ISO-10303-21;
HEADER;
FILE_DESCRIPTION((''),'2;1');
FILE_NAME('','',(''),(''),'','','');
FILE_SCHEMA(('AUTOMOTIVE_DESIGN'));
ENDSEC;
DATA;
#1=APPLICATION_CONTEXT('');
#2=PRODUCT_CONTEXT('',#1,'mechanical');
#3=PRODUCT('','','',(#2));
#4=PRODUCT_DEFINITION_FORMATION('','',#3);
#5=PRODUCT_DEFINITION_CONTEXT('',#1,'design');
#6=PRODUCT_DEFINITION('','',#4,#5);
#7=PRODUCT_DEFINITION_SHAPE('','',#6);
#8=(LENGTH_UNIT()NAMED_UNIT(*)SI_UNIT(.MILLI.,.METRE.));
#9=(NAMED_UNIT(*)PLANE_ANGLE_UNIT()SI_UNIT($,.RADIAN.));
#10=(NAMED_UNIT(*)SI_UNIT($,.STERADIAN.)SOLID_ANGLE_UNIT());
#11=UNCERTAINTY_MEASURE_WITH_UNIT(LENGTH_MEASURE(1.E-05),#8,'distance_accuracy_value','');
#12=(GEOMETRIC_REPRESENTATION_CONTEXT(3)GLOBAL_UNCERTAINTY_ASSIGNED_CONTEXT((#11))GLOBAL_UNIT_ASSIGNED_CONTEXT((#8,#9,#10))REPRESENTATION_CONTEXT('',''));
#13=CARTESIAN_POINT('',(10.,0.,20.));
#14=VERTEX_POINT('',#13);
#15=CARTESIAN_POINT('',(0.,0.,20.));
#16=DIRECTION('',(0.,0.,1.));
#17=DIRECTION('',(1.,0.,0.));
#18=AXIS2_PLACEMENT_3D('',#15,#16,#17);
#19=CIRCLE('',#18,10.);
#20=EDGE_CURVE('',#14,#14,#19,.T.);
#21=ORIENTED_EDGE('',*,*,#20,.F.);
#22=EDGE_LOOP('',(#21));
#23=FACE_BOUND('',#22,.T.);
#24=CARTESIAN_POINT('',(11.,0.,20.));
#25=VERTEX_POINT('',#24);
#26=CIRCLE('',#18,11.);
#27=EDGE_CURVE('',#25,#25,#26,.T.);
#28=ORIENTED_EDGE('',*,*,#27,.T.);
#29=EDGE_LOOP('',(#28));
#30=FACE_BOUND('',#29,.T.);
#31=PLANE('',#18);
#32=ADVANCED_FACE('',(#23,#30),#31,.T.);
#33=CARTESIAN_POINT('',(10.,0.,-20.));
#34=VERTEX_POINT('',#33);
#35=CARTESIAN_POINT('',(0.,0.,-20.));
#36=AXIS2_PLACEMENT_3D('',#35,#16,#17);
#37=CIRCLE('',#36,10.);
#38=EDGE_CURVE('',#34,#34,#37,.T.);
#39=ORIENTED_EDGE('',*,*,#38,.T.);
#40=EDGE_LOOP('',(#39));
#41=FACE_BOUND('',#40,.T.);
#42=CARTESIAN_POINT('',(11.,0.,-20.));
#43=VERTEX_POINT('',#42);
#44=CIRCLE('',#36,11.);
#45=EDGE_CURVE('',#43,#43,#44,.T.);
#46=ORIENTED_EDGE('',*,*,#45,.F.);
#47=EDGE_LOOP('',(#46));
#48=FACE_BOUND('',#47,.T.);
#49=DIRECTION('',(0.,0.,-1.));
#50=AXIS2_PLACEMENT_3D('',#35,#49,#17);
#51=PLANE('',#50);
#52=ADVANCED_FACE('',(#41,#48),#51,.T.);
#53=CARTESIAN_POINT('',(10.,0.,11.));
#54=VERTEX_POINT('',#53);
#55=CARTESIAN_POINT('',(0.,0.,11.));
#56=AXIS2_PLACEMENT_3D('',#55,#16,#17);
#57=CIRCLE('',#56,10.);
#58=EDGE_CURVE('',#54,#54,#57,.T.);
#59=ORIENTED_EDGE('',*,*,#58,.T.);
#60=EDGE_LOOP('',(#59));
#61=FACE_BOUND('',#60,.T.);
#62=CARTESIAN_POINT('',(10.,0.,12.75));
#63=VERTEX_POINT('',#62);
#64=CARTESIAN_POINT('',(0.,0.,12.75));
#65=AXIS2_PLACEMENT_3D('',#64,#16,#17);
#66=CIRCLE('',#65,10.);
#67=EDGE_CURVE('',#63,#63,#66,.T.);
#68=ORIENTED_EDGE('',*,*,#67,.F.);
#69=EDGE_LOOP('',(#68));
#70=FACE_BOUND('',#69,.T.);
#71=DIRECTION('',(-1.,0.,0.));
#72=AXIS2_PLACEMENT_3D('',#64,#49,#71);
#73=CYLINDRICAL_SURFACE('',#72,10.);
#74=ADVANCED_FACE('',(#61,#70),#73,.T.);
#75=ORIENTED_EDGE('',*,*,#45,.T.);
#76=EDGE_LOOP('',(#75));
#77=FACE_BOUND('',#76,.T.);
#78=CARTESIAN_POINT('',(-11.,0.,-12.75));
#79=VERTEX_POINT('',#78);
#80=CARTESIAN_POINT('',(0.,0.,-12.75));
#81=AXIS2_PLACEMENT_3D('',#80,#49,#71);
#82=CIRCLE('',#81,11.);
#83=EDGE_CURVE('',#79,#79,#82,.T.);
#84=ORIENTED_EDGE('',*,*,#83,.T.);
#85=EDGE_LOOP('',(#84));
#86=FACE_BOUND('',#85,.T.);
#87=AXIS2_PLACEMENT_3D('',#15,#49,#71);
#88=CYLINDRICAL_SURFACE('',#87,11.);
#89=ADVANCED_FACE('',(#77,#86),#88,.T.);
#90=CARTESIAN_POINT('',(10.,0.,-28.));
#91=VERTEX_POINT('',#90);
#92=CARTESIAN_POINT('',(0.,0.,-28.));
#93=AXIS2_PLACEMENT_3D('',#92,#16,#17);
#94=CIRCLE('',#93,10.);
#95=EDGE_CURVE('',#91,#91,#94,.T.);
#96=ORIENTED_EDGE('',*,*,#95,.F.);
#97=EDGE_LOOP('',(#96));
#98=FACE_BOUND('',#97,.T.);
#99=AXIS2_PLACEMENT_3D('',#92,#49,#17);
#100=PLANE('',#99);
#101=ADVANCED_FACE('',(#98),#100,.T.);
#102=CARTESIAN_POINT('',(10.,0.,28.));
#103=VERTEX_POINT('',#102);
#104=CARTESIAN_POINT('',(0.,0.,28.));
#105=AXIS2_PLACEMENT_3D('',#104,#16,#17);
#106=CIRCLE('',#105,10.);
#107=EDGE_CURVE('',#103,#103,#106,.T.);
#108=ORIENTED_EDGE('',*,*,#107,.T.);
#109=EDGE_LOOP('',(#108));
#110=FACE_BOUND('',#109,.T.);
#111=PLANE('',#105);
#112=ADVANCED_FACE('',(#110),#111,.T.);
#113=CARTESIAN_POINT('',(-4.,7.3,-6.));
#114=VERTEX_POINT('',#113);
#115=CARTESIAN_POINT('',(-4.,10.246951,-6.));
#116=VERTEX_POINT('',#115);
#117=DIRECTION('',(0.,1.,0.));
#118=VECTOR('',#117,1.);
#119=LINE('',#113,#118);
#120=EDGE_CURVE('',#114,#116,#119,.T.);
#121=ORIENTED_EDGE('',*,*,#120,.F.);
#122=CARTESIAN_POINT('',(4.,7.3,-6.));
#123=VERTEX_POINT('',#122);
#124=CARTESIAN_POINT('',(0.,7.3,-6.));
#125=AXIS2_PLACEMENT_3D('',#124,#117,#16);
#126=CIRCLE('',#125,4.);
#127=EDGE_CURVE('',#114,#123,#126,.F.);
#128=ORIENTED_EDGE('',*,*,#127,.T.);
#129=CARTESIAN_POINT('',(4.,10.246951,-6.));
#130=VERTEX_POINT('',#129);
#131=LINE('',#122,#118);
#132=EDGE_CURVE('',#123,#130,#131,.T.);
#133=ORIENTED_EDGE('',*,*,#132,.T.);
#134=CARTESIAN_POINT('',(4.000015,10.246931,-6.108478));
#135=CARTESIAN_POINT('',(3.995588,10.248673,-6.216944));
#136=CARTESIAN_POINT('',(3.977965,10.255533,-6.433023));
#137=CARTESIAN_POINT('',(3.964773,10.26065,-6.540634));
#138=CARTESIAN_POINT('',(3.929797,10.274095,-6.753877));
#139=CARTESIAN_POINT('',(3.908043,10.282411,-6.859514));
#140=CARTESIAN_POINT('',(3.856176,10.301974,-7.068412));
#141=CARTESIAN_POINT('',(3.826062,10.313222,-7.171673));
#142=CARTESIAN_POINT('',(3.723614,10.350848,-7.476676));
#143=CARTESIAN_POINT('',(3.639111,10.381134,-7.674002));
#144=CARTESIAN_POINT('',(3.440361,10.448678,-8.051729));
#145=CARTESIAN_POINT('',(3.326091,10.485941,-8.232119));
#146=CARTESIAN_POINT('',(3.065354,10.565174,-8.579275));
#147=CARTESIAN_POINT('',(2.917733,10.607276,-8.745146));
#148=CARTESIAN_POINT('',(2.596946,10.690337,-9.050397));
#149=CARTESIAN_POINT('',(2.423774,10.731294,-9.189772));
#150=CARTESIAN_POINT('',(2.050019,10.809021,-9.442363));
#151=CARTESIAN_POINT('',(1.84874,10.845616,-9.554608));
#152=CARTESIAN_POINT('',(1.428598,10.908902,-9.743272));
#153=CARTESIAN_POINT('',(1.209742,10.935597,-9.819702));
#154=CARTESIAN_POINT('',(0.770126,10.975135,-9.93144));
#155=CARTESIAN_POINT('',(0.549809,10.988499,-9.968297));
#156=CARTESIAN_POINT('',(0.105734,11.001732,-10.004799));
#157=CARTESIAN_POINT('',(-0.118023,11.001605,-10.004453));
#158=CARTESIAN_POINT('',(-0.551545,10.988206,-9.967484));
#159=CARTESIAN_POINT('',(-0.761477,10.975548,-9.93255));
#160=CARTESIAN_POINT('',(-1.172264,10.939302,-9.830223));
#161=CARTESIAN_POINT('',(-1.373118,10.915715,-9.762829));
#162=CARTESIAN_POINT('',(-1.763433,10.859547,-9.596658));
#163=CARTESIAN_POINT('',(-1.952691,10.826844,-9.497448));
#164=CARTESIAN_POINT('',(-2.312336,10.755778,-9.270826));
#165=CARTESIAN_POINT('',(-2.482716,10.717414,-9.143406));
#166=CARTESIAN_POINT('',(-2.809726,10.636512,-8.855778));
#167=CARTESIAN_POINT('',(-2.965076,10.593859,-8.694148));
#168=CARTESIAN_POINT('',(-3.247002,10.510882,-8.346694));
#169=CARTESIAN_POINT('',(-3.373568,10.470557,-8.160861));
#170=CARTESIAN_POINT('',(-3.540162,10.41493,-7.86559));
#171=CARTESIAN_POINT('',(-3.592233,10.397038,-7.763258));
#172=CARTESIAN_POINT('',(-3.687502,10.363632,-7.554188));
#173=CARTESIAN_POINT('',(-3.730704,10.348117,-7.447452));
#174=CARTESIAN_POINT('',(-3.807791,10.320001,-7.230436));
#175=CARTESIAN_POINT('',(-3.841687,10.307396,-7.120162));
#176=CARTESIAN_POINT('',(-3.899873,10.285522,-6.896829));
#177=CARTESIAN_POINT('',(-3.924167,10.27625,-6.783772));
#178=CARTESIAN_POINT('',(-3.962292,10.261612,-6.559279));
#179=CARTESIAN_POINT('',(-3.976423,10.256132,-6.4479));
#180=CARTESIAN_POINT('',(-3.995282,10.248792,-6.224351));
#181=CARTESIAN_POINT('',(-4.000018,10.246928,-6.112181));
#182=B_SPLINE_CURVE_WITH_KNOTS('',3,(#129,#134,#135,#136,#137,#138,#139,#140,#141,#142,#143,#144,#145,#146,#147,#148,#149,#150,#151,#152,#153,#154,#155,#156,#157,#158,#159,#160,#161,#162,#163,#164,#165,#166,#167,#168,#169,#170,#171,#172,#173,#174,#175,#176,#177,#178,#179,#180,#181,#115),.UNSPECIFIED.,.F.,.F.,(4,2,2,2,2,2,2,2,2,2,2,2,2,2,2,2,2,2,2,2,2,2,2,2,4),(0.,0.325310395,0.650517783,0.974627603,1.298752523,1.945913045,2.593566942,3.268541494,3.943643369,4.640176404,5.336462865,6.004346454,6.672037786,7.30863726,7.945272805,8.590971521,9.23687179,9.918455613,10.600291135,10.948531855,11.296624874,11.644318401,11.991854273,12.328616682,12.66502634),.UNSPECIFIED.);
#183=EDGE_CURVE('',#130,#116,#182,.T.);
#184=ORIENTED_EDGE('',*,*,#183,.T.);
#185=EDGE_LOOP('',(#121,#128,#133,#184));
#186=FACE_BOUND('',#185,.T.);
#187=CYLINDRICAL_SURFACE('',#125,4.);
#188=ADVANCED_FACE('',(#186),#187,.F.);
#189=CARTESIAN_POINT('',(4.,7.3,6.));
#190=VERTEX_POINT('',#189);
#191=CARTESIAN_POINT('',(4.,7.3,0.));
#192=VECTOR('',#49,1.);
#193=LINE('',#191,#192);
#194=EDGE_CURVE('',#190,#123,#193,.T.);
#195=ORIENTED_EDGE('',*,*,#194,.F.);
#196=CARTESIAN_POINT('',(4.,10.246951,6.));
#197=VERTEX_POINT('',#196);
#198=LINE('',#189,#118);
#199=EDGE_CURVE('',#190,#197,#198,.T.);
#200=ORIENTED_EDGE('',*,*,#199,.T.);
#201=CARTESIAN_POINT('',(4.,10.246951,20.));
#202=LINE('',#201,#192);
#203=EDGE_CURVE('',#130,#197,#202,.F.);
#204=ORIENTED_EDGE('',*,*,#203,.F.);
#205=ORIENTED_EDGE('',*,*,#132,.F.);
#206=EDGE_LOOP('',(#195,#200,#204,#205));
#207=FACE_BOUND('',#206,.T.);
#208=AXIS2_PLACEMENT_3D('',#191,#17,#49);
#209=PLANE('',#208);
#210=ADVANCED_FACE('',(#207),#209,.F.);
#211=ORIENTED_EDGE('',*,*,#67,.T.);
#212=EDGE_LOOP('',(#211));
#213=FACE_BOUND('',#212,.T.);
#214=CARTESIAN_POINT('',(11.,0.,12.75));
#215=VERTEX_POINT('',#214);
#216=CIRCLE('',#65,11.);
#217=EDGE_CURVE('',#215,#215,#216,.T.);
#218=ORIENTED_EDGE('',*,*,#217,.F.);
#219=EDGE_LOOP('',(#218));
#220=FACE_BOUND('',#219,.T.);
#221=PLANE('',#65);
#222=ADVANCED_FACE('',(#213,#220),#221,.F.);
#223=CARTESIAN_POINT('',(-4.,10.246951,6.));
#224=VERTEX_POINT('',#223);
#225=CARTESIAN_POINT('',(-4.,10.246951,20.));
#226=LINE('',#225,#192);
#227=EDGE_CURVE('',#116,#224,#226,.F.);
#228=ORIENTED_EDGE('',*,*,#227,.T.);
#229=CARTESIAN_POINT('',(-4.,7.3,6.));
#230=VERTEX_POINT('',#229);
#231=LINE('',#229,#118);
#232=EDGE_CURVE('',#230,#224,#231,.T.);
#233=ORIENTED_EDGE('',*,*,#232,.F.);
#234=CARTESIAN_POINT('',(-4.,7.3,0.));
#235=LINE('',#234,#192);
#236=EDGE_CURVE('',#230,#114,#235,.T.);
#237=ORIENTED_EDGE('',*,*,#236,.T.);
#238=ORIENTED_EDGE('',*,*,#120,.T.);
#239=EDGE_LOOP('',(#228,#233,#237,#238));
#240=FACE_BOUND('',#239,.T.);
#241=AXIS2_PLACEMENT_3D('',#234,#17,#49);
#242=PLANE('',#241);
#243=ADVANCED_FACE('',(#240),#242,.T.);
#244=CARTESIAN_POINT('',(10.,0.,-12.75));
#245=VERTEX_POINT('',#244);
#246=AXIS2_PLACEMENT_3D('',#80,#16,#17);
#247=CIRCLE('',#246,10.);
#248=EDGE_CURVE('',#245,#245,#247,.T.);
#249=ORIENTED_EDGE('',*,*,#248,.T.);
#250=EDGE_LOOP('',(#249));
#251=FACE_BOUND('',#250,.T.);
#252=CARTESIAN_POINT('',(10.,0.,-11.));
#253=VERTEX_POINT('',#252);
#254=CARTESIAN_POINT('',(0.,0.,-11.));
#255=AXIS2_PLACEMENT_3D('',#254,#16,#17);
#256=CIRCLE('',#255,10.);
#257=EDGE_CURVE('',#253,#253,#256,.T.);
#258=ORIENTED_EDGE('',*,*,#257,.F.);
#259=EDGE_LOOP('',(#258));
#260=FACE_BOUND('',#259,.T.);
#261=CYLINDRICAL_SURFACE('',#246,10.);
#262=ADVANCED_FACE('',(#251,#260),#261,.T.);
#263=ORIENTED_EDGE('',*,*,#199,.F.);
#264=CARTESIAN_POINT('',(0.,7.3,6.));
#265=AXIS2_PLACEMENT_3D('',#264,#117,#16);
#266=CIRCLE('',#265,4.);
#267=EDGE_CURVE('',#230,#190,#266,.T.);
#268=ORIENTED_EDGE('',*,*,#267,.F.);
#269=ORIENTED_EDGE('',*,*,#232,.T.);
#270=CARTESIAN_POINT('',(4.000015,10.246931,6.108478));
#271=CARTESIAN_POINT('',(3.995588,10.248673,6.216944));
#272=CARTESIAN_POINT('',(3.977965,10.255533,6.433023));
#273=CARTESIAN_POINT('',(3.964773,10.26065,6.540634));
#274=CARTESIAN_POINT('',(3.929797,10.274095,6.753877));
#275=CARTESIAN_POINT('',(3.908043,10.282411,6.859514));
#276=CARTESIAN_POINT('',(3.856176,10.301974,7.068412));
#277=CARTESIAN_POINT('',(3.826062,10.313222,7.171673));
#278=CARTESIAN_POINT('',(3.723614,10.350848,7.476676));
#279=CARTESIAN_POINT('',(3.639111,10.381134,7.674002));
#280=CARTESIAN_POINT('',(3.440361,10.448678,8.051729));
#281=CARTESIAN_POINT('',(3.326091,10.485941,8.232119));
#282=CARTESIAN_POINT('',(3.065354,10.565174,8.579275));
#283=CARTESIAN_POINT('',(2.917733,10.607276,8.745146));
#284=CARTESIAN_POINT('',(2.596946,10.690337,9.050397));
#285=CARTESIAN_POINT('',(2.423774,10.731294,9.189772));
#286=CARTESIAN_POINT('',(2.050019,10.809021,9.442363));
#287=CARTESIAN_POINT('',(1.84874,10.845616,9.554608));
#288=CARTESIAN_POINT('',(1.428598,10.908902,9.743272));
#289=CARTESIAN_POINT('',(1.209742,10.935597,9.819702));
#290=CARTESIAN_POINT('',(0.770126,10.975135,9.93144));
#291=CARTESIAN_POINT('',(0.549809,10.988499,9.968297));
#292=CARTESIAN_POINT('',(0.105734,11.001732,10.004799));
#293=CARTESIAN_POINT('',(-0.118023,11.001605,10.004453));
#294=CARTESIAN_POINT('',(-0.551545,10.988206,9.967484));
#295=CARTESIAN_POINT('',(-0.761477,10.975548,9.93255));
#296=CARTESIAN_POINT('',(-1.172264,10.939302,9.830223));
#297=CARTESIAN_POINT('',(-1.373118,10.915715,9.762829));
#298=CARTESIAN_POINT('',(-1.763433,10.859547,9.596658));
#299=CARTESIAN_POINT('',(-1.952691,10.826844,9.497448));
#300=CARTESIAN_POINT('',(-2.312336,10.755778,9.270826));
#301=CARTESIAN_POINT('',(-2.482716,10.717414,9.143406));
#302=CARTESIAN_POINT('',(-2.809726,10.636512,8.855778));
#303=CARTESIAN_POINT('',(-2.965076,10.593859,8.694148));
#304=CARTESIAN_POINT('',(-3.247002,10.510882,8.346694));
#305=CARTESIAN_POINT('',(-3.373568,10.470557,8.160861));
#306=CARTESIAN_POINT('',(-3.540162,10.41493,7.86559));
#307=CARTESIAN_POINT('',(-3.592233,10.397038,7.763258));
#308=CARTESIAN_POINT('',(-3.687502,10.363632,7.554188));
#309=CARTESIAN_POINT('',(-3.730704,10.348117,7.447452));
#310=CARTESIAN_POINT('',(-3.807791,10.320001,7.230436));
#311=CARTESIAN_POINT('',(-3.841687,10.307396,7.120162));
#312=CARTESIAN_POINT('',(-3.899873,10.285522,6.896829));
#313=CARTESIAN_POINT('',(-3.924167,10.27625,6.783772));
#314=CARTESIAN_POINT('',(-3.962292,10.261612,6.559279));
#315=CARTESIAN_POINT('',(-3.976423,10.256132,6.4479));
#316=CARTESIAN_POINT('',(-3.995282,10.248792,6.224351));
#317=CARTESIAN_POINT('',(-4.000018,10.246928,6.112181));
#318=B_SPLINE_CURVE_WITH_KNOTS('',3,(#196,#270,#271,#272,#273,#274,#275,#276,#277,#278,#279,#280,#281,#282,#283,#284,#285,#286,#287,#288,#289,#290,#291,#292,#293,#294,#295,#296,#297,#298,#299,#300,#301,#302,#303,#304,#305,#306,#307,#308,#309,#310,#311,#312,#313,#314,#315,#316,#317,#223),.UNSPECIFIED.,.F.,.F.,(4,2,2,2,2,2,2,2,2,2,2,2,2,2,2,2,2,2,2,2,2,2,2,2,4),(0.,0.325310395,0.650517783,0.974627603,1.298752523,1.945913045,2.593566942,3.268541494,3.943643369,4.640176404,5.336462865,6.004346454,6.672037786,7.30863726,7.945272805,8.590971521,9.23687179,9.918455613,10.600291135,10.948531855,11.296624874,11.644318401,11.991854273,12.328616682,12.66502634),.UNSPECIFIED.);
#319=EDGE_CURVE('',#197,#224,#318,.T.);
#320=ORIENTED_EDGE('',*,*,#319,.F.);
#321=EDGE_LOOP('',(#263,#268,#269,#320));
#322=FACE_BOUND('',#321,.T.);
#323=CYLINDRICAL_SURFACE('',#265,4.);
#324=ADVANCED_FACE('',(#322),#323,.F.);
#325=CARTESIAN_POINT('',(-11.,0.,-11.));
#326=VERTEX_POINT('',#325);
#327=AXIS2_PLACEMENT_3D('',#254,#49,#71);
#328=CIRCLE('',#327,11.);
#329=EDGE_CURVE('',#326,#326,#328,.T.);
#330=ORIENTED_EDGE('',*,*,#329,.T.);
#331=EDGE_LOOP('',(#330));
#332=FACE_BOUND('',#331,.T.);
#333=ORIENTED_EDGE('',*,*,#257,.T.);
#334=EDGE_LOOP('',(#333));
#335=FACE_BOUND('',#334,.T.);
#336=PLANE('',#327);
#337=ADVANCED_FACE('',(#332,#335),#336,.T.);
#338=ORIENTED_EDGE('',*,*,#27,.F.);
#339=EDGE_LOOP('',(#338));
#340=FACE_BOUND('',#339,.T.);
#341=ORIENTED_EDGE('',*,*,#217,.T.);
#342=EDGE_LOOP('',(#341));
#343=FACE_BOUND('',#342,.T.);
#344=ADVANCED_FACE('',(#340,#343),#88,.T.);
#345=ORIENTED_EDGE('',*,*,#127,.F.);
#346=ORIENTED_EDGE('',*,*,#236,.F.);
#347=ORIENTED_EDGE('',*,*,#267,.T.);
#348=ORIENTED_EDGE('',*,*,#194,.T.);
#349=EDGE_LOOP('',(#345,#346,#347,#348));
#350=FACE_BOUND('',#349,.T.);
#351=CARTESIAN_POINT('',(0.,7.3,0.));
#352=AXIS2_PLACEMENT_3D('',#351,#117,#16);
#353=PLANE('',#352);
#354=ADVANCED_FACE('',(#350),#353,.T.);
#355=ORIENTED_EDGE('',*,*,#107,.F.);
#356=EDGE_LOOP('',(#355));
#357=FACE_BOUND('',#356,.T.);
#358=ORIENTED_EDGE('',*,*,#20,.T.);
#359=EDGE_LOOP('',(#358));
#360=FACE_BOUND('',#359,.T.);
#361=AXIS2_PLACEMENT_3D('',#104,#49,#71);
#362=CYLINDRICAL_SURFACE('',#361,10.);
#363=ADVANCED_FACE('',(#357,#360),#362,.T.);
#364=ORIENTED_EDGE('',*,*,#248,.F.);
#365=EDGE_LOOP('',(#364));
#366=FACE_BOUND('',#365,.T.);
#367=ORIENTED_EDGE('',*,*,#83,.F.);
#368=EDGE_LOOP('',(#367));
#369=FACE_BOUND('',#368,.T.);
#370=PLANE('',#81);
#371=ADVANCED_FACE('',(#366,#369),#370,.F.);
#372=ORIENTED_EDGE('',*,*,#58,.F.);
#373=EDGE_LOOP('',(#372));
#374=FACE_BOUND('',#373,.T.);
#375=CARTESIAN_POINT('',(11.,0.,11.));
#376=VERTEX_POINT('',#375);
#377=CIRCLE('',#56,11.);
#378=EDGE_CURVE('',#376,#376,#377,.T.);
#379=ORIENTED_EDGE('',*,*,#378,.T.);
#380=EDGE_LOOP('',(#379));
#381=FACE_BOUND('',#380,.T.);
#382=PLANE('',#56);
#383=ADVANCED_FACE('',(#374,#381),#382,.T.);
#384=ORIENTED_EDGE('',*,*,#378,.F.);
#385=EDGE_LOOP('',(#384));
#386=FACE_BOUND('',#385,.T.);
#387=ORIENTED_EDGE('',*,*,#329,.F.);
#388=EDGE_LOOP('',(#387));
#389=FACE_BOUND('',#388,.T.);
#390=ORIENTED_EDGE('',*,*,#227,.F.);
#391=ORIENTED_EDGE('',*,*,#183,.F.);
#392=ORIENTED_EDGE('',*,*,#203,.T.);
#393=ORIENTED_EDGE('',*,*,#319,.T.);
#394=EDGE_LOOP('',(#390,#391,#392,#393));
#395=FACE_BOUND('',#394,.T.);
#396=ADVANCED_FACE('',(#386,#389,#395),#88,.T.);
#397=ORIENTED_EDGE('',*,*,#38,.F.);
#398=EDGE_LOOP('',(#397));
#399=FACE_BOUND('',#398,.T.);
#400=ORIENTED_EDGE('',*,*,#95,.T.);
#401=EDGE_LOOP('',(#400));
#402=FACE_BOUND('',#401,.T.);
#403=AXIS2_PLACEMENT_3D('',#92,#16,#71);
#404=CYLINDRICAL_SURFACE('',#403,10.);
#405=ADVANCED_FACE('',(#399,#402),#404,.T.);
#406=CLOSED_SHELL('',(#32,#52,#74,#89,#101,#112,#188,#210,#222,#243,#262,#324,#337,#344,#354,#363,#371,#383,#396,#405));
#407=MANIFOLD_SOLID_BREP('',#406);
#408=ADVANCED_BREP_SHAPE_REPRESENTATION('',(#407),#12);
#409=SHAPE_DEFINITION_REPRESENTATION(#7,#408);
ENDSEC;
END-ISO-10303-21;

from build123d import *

# Parameters (mm, degrees)
SKETCH2_R           = 11
BOSS_EXTRUDE1_DEPTH = 20
SKETCH3_R           = 10
BOSS_EXTRUDE2_DEPTH = 8
SKETCH4_W           = 8
SKETCH4_H           = 12
CUT_EXTRUDE1_DEPTH  = 3.7
SKETCH6_OUTSIDE_W   = 36.812
SKETCH6_OUTSIDE_H   = 36.812
SKETCH6_OUTSIDE_R   = 10
CUT_EXTRUDE4_DEPTH  = 1.75


with BuildPart() as part:
    # Sketch2 → Boss-Extrude1 (new body)
    with BuildSketch(Plane.XY):
        Circle(SKETCH2_R)
    extrude(amount=BOSS_EXTRUDE1_DEPTH)

    # Sketch3 → Boss-Extrude2 (add)
    with BuildSketch(Plane.XY.offset(20)):
        Circle(SKETCH3_R)
    extrude(amount=BOSS_EXTRUDE2_DEPTH)

    # Mirror1: part across plane


with BuildPart() as part_1:
    add(part.part)
    add(part.part.mirror(Plane.XY))

    # Sketch4 → Cut-Extrude1 (cut)
    with BuildSketch(Plane(origin=(0, 11, 0), x_dir=(1, 0, 0), z_dir=(0, 1, 0))):
        Rectangle(SKETCH4_W, SKETCH4_H)
        with BuildLine():
            ThreePointArc((-4, 6), (0, 10), (4, 6))
            Line((4, 6), (-4, 6))
        make_face()
        with BuildLine():
            Line((-4, -6), (4, -6))
            ThreePointArc((4, -6), (0, -10), (-4, -6))
        make_face()
    extrude(amount=-CUT_EXTRUDE1_DEPTH, mode=Mode.SUBTRACT)

    # Sketch6 outside → Cut-Extrude4 (cut)
    with BuildSketch(Plane.XY.offset(11)):
        Rectangle(SKETCH6_OUTSIDE_W, SKETCH6_OUTSIDE_H)
        Circle(SKETCH6_OUTSIDE_R, mode=Mode.SUBTRACT)
    cut_extrude4 = extrude(amount=CUT_EXTRUDE4_DEPTH, mode=Mode.SUBTRACT)

    # Mirror2: Cut-Extrude4 across plane
    add(cut_extrude4.mirror(Plane.XY), mode=Mode.SUBTRACT)


solid = part_1.part
